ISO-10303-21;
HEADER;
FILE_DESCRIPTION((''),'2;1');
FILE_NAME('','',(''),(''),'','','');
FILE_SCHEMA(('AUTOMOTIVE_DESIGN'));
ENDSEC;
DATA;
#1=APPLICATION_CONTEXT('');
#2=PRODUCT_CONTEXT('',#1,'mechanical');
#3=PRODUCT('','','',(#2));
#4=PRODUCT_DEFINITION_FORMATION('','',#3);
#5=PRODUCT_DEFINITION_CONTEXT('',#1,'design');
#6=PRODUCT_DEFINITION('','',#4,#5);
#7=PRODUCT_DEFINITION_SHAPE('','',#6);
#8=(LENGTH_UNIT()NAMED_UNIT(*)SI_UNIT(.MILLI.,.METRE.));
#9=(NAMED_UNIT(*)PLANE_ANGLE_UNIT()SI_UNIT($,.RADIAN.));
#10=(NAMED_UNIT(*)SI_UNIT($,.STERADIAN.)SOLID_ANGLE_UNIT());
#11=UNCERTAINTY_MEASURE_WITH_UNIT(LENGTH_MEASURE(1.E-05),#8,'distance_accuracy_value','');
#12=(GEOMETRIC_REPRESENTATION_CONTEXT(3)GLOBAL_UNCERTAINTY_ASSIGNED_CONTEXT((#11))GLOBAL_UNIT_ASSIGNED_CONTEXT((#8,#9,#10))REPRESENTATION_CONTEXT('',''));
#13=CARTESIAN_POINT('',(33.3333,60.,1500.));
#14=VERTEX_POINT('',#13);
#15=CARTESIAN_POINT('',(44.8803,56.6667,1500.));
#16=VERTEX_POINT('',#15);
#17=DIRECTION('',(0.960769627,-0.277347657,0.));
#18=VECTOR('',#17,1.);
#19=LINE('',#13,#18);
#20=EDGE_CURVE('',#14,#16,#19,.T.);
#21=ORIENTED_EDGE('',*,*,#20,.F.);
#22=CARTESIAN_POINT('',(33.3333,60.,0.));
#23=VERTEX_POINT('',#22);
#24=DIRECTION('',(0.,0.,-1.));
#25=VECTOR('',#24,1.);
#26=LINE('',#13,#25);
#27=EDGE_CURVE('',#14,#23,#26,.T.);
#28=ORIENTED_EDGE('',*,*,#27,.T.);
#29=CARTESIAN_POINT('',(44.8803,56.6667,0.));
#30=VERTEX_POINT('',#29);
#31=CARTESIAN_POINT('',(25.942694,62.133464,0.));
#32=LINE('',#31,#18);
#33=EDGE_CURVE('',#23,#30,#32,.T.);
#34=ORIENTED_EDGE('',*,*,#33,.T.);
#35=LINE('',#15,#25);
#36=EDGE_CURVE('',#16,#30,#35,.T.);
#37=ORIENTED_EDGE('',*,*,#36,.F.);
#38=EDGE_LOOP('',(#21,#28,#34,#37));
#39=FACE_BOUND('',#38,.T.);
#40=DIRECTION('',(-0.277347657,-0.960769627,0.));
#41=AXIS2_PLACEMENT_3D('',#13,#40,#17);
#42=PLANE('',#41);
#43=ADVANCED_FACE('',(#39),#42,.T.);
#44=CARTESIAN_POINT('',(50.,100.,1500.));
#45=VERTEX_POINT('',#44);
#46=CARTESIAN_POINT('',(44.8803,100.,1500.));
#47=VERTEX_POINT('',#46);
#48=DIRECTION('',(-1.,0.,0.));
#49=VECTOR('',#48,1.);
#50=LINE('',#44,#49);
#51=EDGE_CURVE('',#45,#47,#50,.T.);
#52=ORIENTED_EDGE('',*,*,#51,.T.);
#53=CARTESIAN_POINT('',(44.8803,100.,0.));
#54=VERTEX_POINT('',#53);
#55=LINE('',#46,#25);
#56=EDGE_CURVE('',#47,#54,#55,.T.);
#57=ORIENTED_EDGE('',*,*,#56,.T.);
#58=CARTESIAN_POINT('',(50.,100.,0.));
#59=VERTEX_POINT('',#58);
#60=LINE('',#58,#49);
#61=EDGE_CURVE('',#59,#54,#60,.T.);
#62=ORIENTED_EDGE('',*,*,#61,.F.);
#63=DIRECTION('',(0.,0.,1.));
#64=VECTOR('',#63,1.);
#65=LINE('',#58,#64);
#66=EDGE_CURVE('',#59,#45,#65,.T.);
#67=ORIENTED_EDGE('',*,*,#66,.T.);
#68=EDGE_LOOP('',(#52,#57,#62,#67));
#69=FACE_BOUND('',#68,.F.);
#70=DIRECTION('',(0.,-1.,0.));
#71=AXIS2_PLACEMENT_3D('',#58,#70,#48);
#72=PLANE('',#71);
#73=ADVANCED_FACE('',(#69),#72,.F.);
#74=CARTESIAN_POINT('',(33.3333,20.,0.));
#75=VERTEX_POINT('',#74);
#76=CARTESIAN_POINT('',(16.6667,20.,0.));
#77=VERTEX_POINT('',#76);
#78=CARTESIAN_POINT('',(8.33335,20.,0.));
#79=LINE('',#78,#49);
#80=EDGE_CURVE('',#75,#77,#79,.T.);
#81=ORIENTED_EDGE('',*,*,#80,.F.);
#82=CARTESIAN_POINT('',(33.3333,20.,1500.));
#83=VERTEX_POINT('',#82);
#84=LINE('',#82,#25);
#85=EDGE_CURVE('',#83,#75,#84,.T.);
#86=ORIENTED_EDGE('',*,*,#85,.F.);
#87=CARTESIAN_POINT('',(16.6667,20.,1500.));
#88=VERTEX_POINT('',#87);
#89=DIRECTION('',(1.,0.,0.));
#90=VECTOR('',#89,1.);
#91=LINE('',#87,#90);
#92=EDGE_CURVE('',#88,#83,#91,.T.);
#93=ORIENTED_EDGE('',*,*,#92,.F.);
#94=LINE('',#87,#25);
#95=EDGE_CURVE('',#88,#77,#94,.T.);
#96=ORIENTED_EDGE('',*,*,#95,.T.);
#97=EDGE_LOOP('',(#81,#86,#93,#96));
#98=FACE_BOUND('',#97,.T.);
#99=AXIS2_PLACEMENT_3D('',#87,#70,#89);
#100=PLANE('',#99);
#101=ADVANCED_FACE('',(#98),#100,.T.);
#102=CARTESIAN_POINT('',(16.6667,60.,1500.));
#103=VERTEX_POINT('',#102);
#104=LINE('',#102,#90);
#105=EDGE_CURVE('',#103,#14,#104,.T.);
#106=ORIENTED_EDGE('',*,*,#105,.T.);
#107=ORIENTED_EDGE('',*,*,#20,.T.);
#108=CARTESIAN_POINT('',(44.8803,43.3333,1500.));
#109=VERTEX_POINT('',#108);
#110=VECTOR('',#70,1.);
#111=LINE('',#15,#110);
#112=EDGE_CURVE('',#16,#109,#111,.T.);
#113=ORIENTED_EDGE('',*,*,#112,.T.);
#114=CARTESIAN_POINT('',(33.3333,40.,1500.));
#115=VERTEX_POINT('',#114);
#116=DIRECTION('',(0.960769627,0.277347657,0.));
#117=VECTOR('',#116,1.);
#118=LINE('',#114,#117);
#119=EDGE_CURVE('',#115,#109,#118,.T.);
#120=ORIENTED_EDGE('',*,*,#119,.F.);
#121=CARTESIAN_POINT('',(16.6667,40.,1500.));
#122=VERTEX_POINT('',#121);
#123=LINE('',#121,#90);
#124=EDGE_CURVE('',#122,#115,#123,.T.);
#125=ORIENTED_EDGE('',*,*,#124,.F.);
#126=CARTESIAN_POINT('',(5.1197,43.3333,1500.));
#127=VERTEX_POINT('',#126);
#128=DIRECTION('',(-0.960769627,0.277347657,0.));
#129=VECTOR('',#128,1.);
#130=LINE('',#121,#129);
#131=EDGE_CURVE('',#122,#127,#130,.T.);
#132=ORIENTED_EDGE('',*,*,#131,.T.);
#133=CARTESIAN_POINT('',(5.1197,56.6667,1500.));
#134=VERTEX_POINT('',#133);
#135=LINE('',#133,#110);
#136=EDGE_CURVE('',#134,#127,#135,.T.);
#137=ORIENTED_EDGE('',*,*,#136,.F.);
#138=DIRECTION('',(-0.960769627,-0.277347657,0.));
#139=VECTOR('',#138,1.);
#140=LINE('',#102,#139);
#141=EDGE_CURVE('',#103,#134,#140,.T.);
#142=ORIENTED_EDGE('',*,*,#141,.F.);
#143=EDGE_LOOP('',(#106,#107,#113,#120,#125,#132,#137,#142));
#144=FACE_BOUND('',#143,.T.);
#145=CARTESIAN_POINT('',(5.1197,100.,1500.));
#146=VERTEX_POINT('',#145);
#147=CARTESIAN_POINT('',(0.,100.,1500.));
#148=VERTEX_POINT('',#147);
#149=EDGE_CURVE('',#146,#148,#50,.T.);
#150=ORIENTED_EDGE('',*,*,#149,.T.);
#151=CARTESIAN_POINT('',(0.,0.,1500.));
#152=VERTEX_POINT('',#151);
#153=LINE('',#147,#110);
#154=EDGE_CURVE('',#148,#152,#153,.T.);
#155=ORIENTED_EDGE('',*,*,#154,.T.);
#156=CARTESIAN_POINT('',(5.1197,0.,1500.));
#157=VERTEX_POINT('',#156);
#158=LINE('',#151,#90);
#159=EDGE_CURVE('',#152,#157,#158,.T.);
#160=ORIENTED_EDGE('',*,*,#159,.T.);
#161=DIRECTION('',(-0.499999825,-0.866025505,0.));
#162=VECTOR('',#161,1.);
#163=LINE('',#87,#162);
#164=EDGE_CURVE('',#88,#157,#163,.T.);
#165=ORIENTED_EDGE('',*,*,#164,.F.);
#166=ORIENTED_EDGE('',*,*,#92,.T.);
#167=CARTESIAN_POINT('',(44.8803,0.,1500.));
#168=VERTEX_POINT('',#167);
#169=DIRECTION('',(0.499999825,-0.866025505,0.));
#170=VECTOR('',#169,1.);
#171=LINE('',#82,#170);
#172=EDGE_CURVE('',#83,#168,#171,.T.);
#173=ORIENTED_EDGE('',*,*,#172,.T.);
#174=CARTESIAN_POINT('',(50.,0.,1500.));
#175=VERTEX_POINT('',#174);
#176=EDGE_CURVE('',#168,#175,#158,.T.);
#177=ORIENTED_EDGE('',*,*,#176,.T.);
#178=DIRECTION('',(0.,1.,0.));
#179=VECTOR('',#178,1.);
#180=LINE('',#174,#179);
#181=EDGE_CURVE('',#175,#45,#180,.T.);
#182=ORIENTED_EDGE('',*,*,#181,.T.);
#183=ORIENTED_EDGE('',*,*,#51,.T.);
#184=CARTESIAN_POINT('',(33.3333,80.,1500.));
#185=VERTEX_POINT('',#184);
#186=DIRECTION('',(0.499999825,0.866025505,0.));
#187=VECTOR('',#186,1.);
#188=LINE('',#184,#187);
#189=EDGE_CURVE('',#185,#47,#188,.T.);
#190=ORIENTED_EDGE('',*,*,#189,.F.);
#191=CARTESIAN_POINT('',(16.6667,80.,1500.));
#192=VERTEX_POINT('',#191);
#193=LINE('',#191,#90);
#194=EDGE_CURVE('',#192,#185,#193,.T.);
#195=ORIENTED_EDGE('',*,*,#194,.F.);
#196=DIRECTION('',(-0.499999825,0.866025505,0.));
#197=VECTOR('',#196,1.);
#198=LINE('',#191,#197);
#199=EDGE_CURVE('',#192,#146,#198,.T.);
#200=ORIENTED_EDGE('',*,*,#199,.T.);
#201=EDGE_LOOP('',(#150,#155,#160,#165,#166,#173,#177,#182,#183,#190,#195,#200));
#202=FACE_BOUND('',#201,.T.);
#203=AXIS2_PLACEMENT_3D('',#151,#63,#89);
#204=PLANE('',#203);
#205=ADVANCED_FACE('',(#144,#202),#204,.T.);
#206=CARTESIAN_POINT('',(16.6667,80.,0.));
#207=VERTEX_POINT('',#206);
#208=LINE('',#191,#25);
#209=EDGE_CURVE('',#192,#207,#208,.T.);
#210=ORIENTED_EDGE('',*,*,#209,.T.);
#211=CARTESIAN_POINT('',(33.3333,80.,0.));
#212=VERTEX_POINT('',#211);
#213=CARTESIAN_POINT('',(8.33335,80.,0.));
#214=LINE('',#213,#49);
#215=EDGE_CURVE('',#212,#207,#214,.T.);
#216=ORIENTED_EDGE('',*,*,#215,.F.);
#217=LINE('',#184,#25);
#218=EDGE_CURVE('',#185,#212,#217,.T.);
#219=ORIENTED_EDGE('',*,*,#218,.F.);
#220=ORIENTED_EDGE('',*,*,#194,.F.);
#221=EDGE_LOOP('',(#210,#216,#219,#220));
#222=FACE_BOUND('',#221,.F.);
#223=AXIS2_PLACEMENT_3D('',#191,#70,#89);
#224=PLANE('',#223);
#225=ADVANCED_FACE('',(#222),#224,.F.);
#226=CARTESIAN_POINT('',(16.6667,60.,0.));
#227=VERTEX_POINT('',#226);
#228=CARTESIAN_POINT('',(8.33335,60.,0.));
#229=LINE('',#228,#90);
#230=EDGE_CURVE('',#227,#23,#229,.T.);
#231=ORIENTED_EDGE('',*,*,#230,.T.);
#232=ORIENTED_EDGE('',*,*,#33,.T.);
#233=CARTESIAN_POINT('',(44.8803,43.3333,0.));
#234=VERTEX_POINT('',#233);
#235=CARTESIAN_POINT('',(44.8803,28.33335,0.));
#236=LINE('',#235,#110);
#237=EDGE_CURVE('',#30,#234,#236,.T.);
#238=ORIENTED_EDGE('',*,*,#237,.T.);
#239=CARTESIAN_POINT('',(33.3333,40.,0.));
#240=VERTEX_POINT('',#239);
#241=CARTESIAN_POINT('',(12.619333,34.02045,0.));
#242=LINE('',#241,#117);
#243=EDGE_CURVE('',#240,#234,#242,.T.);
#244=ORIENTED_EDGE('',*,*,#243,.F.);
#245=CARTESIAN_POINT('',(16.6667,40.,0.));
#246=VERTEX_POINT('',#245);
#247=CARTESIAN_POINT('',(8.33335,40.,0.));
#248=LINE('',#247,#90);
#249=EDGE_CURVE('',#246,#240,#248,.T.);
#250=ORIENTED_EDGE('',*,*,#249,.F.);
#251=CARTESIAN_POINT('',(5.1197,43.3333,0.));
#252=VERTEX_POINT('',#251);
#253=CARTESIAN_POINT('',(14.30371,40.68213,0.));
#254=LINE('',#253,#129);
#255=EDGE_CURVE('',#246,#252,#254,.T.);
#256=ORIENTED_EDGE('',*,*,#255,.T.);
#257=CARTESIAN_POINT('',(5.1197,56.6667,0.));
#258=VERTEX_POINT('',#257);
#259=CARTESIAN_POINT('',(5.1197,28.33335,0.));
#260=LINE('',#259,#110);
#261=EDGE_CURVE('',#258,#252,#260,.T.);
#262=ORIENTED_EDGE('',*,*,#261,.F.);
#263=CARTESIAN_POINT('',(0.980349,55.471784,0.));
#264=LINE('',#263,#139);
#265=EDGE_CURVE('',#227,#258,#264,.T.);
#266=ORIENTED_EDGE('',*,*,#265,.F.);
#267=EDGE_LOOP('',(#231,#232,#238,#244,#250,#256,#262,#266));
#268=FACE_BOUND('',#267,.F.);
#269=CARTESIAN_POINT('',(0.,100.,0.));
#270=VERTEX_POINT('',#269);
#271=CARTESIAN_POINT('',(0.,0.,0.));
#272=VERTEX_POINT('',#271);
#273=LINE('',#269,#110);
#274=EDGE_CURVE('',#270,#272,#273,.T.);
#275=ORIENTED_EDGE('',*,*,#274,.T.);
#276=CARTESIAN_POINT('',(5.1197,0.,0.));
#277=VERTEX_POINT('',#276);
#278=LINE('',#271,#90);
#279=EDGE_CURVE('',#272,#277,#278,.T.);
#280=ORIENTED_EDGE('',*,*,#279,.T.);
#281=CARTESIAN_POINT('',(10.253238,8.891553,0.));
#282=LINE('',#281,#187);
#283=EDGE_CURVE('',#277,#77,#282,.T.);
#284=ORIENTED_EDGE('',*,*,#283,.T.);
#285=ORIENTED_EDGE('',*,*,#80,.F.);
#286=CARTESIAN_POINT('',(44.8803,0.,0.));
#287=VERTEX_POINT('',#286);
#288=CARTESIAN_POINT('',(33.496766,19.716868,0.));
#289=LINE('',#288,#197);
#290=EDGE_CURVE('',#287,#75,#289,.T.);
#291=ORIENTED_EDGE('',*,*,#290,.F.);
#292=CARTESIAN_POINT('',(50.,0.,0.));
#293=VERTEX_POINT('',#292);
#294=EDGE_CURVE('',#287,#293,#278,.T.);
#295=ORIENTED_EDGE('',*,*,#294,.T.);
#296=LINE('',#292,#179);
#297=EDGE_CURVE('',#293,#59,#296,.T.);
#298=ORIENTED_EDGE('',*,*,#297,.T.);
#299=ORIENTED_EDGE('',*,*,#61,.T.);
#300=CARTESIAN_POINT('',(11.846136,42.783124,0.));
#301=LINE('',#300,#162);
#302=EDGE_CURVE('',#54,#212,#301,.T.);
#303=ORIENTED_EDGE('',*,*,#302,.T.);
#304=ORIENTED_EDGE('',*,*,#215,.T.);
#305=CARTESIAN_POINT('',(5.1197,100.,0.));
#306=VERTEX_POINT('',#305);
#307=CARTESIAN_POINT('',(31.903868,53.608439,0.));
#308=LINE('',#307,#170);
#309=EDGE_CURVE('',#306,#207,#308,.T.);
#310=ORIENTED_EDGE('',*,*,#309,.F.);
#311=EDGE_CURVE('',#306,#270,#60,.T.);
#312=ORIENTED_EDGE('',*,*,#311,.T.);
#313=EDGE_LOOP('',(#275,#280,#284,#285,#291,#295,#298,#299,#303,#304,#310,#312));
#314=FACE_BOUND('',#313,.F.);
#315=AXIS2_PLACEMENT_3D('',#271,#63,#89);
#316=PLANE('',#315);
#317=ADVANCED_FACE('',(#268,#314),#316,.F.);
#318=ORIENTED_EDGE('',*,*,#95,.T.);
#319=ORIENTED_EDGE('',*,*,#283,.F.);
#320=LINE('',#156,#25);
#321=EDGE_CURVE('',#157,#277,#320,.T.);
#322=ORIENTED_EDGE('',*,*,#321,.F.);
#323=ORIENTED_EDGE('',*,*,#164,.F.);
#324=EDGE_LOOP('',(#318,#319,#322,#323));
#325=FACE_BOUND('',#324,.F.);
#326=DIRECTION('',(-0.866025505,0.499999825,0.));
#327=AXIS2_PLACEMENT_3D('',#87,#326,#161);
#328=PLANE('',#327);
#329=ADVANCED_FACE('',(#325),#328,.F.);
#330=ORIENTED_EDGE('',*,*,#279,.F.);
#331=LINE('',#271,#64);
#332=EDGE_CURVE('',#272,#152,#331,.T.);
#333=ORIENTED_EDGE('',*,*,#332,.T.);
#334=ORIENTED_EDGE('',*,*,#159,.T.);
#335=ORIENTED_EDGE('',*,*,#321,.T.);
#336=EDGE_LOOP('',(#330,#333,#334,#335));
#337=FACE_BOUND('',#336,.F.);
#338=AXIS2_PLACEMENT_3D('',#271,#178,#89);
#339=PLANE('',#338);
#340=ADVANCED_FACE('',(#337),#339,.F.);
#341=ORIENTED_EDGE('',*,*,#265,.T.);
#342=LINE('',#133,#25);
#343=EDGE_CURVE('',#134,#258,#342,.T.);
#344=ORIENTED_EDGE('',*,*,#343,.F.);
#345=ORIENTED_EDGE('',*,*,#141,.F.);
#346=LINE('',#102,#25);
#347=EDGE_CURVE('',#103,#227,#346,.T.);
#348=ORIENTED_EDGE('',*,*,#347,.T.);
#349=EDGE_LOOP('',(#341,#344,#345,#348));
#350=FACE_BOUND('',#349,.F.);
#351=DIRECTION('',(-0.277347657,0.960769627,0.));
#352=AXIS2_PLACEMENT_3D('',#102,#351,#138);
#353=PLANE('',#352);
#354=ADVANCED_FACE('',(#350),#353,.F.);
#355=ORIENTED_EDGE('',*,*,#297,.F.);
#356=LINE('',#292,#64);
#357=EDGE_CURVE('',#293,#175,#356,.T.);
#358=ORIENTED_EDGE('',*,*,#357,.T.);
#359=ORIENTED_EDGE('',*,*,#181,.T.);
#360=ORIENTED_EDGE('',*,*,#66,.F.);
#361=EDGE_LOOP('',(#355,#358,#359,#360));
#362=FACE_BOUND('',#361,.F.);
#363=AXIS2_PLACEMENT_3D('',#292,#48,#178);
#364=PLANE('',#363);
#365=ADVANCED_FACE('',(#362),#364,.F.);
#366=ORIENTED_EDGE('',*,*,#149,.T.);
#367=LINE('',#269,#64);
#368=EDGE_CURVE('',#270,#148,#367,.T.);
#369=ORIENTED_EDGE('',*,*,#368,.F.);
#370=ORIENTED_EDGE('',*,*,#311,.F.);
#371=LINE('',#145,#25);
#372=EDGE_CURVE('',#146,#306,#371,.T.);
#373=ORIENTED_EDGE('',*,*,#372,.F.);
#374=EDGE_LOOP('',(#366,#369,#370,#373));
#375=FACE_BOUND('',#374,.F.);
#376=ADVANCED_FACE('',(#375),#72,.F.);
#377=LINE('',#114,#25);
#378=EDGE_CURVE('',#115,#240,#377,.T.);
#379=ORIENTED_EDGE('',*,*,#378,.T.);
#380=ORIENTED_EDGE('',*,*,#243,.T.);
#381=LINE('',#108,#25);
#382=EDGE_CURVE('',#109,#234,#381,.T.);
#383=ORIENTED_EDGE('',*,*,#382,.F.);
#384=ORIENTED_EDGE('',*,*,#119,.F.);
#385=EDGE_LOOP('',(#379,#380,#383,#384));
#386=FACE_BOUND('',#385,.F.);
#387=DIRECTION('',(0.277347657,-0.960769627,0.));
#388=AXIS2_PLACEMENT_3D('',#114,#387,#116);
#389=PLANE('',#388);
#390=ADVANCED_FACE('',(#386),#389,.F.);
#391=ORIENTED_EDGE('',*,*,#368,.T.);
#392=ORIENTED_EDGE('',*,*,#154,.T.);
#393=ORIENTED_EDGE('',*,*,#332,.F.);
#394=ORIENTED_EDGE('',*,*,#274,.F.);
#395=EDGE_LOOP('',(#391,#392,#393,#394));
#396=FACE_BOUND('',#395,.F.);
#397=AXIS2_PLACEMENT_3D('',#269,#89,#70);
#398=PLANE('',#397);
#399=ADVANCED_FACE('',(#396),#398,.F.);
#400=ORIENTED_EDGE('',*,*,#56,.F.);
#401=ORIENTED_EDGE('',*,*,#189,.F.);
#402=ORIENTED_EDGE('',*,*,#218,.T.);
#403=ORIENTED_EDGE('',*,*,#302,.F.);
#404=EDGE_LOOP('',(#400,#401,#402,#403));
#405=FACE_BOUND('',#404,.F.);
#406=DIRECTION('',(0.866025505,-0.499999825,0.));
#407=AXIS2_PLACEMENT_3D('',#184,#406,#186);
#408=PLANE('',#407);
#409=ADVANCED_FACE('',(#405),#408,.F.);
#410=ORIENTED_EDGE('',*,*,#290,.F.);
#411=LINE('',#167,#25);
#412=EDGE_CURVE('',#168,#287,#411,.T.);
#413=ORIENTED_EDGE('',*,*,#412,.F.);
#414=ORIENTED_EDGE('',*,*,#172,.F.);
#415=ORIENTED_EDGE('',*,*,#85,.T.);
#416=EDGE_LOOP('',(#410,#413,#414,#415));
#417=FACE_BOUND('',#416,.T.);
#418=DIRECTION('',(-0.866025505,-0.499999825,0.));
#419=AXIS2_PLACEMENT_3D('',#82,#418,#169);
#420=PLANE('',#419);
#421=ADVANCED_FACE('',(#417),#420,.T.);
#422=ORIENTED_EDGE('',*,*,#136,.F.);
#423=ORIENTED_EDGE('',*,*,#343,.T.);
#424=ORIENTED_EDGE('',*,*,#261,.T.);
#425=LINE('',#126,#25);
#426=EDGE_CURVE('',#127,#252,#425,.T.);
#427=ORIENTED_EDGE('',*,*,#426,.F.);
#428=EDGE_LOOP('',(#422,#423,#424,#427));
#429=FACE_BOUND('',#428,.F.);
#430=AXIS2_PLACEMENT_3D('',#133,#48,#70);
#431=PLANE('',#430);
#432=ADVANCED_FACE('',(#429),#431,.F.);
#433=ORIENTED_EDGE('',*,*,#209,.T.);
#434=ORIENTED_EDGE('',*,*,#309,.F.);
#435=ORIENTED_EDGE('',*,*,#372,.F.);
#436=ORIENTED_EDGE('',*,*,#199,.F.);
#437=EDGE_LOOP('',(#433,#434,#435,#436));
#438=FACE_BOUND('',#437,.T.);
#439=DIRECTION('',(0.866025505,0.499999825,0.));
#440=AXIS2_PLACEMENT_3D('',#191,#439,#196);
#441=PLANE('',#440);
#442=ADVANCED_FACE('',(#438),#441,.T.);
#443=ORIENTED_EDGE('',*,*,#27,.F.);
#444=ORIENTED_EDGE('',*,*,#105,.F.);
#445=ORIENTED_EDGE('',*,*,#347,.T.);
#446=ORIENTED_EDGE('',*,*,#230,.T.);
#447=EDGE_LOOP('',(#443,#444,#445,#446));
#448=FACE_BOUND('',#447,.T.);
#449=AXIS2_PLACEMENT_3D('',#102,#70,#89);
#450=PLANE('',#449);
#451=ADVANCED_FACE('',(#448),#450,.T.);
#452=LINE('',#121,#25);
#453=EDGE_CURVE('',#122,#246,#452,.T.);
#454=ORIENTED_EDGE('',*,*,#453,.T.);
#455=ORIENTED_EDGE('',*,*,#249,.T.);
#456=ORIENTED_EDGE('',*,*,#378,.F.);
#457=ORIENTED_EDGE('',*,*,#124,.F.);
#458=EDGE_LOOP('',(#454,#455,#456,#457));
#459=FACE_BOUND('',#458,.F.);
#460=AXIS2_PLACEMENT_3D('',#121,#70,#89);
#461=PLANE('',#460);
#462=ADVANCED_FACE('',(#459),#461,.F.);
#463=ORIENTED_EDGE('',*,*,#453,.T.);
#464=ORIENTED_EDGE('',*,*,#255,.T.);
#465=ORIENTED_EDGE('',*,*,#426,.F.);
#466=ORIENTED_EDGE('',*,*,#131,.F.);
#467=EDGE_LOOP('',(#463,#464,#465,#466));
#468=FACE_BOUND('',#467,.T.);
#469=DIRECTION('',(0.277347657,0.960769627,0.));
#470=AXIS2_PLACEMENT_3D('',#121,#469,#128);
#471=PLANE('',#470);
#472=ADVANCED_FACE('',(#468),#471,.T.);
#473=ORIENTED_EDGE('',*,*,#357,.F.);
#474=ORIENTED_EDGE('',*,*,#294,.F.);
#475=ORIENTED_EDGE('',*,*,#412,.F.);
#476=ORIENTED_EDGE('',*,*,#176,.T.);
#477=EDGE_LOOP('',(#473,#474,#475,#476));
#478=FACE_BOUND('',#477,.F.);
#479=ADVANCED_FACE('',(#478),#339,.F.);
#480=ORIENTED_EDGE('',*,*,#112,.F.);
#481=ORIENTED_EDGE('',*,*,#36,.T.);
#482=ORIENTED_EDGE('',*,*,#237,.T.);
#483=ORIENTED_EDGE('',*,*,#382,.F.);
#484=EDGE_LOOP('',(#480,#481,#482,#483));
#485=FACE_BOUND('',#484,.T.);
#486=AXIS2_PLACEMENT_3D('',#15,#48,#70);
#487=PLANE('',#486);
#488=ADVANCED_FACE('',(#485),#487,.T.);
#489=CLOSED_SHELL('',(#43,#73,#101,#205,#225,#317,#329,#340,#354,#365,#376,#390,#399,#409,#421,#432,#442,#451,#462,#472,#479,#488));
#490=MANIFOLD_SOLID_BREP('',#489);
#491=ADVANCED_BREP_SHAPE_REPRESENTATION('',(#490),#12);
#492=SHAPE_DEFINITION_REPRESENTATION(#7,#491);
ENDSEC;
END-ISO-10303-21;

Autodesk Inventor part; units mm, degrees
ref_plane "YZ Plane" through (0, 0, 0) normal (1, 0, 0) x (0, 1, 0)
ref_plane "XZ Plane" through (0, 0, 0) normal (0, 1, 0) x (-1, 0, 0)
ref_plane "XY Plane" through (0, 0, 0) normal (0, 0, 1) x (1, 0, 0)
sketch "Sketch1" plane through (0, 0, 0) normal (0, 0, 1) x (1, 0, 0)
  line L0 (0, 0) -> (50, 0)
  line L1 (50, 0) -> (50, 100)
  line L2 (50, 100) -> (0, 100)
  line L3 (0, 100) -> (0, 0)
  dimension "d0" = 50
  dimension "d1" = 100
extrude "Extrusion1" add sketch "Sketch1" along normal blind 1500
sketch "Sketch2" plane through (0, 0, 1500) normal (0, 0, 1) x (1, 0, 0)
  line L0 (0, 0) -> (50, 0) projected
  line L1 (50, 0) -> (50, 100) projected
  line L2 (50, 100) -> (0, 100) projected
  line L3 (0, 100) -> (0, 0) projected
  line L4 (16.6667, 80) -> (33.3333, 80)
  line L5 (16.6667, 80) -> (43.3333, 80) construction
  line L6 (16.6667, 80) -> (5.1197, 100)
  line L7 (50, 100) -> (0, 100) projected
  line L8 (16.6667, 80) -> (39.7607, 80) construction
  line L9 (33.3333, 80) -> (44.8803, 100)
  line L10 (33.3333, 80) -> (56.4273, 80) construction
  line L11 (44.8803, 100) -> (5.1197, 100)
  line L12 (0, 50) -> (50, 50)
  line L13 (50, 0) -> (50, 100) projected
  line L14 (16.6667, 20) -> (33.3333, 20)
  line L15 (16.6667, 20) -> (5.1197, 0)
  line L16 (33.3333, 20) -> (44.8803, 0)
  line L17 (44.8803, 0) -> (5.1197, 0)
  dimension "d4" = 50
  dimension "d5" = 16.6667
  dimension "d6" = 100
  dimension "d7" = 20
  dimension "d8" = 16.6667
  dimension "d11" = 120
  dimension "d12" = 60
  dimension "d13" = 50
extrude "Extrusion2" cut sketch "Sketch2" against normal up to next contours L15 L14 L16 L0 | L2 L9 L4 L6
sketch "Sketch3" plane through (0, 0, 1500) normal (0, 0, 1) x (1, 0, 0)
  line L0 (33.3333, 80) -> (16.6667, 80) projected
  line L1 (16.6667, 60) -> (33.3333, 60)
  line L2 (0, 100) -> (0, 0) projected
  line L3 (16.6667, 20) -> (33.3333, 20) projected
  line L4 (50, 100) -> (44.8803, 100) projected
  line L5 (16.6667, 40) -> (33.3333, 40)
  line L6 (5.1197, 56.6667) -> (5.1197, 43.3333)
  line L7 (25, 80) -> (25, 20)
  line L8 (16.6667, 60) -> (5.1197, 56.6667)
  line L9 (16.6667, 40) -> (5.1197, 43.3333)
  line L10 (44.8803, 56.6667) -> (44.8803, 43.3333)
  line L11 (33.3333, 60) -> (44.8803, 56.6667)
  line L12 (33.3333, 40) -> (44.8803, 43.3333)
  dimension "d16" = 16.6667
  dimension "d17" = 16.6667
  dimension "d18" = 16.6667
  dimension "d19" = 16.6667
  dimension "d20" = 20
  dimension "d21" = 20
  dimension "d22" = 100
  dimension "d23" = 16.6667
  dimension "d25" = 40
  dimension "d26" = 16.6667
  dimension "d27" = 13.3333
  dimension "d28" = 3.3333
extrude "Extrusion3" cut sketch "Sketch3" against normal blind 2900
equation "\"d1\" = 2 * d0"
equation "\"d5\" = 0.333333 * d4"
equation "\"d7\" = 0.2 * d6"
equation "\"d8\" = -0.5 * d5 + 0.5 * d4"
equation "\"d13\" = 0.5 * d6"
equation "\"d17\" = d16"
equation "\"d19\" = d18"
equation "\"d21\" = 0.5 * d22 - 1.5 * d20"
equation "\"d23\" = d24"
equation "\"d25\" = -0.5 * d20 + 0.5 * d22"
equation "\"d26\" = d16"
equation "\"d27\" = 0.666667 * d21"
equation "\"d28\" = -0.5 * d27 + 0.5 * d21"
equation "\"d24\" = 16.666667"
properties part number "wheelRoadGantry"
